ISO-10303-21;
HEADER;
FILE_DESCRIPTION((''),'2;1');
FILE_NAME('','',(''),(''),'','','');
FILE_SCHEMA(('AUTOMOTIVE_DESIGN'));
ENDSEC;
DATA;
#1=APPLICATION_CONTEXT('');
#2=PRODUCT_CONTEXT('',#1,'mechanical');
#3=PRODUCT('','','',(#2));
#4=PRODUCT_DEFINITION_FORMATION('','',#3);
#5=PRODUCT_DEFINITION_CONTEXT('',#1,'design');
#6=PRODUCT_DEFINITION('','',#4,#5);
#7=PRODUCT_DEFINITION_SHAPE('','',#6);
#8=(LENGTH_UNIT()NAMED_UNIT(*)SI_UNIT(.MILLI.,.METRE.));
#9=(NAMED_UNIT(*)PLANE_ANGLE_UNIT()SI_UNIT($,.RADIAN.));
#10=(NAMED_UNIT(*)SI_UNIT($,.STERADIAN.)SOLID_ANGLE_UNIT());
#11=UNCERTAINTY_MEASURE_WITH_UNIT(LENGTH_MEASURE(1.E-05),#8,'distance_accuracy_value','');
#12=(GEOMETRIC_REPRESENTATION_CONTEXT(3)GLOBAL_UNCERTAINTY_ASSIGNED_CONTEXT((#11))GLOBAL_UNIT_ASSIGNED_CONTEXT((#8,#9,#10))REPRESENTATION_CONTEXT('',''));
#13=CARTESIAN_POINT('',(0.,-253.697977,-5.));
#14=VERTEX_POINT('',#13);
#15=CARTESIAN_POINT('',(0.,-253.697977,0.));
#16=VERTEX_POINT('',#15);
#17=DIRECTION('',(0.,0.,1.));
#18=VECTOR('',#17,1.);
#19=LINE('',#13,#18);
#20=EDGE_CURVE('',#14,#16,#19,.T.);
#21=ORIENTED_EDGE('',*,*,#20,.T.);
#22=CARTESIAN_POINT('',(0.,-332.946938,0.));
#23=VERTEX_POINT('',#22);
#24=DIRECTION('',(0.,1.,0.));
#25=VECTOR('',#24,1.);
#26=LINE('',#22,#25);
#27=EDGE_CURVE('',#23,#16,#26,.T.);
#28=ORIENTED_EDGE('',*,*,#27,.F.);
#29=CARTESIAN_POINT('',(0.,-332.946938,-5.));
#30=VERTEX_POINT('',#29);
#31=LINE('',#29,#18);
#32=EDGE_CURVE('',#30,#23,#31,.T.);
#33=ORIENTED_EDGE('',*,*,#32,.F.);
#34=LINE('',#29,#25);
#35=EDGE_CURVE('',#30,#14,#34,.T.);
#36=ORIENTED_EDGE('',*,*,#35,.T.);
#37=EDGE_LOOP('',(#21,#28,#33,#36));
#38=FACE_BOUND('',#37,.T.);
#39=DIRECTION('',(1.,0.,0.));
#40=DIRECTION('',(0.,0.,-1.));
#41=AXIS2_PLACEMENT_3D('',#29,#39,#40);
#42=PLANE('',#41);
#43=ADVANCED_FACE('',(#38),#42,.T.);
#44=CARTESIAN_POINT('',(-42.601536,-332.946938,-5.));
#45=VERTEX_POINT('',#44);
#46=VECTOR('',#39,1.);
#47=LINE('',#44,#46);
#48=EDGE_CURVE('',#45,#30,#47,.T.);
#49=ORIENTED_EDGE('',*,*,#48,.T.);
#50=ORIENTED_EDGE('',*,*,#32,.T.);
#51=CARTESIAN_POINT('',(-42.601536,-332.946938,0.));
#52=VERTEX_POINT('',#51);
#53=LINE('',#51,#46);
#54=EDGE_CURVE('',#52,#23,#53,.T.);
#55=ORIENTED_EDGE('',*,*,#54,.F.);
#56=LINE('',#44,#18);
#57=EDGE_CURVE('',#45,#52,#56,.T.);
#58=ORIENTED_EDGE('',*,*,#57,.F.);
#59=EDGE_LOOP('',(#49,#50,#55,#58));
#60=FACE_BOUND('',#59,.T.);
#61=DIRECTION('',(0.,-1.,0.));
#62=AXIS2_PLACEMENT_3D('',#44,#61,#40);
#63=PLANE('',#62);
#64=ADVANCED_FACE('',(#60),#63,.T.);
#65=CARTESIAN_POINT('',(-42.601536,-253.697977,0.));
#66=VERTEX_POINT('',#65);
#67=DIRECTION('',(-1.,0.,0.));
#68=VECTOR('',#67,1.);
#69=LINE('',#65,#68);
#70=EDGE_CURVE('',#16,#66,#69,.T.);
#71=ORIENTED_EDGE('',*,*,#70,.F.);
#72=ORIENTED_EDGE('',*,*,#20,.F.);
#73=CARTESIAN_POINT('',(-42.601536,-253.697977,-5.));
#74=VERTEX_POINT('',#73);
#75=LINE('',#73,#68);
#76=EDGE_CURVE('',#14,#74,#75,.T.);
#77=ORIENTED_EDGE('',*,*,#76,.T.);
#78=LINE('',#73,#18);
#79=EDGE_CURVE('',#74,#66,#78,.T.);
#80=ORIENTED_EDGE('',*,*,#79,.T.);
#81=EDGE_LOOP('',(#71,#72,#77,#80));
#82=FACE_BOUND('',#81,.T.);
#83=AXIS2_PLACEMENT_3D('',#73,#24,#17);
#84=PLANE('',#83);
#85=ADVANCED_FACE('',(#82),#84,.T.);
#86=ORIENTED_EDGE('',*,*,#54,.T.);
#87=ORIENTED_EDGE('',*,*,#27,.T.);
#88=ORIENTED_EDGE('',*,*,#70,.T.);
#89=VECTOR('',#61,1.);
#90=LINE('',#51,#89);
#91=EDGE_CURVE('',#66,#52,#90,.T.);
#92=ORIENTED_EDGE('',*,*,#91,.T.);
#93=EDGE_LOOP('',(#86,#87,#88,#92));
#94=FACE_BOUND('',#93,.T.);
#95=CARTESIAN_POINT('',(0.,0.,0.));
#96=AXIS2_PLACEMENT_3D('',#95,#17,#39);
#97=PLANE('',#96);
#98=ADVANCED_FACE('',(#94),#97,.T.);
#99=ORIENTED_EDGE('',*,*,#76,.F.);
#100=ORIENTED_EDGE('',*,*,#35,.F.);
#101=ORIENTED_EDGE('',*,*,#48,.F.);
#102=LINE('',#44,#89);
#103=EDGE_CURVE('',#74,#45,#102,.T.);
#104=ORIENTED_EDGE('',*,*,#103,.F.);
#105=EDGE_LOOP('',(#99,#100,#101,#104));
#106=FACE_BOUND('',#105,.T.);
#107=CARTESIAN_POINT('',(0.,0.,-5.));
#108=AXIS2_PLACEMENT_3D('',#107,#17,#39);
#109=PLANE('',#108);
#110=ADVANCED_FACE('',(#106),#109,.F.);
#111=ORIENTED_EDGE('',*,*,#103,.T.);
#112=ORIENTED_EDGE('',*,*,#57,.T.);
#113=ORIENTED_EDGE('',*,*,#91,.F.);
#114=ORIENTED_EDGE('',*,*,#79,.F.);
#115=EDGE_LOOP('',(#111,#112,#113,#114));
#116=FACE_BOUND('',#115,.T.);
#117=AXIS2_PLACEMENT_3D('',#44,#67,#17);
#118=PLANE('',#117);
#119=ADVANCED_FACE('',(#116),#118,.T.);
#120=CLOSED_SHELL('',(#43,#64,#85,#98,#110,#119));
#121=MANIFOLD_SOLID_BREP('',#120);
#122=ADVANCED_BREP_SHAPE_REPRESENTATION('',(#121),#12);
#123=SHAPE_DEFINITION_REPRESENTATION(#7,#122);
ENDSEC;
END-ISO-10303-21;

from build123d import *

# Parameters (mm, degrees)
SKETCH2_W           = 42.60153592
SKETCH2_H           = 79.248961499
BOSS_EXTRUDE1_DEPTH = 5


with BuildPart() as part:
    # Sketch2 → Boss-Extrude1 (new body)
    with BuildSketch(Plane.XY):
        with Locations((-21.30076796, -293.322457723)):
            Rectangle(SKETCH2_W, SKETCH2_H)
    extrude(amount=-BOSS_EXTRUDE1_DEPTH)


solid = part.part
